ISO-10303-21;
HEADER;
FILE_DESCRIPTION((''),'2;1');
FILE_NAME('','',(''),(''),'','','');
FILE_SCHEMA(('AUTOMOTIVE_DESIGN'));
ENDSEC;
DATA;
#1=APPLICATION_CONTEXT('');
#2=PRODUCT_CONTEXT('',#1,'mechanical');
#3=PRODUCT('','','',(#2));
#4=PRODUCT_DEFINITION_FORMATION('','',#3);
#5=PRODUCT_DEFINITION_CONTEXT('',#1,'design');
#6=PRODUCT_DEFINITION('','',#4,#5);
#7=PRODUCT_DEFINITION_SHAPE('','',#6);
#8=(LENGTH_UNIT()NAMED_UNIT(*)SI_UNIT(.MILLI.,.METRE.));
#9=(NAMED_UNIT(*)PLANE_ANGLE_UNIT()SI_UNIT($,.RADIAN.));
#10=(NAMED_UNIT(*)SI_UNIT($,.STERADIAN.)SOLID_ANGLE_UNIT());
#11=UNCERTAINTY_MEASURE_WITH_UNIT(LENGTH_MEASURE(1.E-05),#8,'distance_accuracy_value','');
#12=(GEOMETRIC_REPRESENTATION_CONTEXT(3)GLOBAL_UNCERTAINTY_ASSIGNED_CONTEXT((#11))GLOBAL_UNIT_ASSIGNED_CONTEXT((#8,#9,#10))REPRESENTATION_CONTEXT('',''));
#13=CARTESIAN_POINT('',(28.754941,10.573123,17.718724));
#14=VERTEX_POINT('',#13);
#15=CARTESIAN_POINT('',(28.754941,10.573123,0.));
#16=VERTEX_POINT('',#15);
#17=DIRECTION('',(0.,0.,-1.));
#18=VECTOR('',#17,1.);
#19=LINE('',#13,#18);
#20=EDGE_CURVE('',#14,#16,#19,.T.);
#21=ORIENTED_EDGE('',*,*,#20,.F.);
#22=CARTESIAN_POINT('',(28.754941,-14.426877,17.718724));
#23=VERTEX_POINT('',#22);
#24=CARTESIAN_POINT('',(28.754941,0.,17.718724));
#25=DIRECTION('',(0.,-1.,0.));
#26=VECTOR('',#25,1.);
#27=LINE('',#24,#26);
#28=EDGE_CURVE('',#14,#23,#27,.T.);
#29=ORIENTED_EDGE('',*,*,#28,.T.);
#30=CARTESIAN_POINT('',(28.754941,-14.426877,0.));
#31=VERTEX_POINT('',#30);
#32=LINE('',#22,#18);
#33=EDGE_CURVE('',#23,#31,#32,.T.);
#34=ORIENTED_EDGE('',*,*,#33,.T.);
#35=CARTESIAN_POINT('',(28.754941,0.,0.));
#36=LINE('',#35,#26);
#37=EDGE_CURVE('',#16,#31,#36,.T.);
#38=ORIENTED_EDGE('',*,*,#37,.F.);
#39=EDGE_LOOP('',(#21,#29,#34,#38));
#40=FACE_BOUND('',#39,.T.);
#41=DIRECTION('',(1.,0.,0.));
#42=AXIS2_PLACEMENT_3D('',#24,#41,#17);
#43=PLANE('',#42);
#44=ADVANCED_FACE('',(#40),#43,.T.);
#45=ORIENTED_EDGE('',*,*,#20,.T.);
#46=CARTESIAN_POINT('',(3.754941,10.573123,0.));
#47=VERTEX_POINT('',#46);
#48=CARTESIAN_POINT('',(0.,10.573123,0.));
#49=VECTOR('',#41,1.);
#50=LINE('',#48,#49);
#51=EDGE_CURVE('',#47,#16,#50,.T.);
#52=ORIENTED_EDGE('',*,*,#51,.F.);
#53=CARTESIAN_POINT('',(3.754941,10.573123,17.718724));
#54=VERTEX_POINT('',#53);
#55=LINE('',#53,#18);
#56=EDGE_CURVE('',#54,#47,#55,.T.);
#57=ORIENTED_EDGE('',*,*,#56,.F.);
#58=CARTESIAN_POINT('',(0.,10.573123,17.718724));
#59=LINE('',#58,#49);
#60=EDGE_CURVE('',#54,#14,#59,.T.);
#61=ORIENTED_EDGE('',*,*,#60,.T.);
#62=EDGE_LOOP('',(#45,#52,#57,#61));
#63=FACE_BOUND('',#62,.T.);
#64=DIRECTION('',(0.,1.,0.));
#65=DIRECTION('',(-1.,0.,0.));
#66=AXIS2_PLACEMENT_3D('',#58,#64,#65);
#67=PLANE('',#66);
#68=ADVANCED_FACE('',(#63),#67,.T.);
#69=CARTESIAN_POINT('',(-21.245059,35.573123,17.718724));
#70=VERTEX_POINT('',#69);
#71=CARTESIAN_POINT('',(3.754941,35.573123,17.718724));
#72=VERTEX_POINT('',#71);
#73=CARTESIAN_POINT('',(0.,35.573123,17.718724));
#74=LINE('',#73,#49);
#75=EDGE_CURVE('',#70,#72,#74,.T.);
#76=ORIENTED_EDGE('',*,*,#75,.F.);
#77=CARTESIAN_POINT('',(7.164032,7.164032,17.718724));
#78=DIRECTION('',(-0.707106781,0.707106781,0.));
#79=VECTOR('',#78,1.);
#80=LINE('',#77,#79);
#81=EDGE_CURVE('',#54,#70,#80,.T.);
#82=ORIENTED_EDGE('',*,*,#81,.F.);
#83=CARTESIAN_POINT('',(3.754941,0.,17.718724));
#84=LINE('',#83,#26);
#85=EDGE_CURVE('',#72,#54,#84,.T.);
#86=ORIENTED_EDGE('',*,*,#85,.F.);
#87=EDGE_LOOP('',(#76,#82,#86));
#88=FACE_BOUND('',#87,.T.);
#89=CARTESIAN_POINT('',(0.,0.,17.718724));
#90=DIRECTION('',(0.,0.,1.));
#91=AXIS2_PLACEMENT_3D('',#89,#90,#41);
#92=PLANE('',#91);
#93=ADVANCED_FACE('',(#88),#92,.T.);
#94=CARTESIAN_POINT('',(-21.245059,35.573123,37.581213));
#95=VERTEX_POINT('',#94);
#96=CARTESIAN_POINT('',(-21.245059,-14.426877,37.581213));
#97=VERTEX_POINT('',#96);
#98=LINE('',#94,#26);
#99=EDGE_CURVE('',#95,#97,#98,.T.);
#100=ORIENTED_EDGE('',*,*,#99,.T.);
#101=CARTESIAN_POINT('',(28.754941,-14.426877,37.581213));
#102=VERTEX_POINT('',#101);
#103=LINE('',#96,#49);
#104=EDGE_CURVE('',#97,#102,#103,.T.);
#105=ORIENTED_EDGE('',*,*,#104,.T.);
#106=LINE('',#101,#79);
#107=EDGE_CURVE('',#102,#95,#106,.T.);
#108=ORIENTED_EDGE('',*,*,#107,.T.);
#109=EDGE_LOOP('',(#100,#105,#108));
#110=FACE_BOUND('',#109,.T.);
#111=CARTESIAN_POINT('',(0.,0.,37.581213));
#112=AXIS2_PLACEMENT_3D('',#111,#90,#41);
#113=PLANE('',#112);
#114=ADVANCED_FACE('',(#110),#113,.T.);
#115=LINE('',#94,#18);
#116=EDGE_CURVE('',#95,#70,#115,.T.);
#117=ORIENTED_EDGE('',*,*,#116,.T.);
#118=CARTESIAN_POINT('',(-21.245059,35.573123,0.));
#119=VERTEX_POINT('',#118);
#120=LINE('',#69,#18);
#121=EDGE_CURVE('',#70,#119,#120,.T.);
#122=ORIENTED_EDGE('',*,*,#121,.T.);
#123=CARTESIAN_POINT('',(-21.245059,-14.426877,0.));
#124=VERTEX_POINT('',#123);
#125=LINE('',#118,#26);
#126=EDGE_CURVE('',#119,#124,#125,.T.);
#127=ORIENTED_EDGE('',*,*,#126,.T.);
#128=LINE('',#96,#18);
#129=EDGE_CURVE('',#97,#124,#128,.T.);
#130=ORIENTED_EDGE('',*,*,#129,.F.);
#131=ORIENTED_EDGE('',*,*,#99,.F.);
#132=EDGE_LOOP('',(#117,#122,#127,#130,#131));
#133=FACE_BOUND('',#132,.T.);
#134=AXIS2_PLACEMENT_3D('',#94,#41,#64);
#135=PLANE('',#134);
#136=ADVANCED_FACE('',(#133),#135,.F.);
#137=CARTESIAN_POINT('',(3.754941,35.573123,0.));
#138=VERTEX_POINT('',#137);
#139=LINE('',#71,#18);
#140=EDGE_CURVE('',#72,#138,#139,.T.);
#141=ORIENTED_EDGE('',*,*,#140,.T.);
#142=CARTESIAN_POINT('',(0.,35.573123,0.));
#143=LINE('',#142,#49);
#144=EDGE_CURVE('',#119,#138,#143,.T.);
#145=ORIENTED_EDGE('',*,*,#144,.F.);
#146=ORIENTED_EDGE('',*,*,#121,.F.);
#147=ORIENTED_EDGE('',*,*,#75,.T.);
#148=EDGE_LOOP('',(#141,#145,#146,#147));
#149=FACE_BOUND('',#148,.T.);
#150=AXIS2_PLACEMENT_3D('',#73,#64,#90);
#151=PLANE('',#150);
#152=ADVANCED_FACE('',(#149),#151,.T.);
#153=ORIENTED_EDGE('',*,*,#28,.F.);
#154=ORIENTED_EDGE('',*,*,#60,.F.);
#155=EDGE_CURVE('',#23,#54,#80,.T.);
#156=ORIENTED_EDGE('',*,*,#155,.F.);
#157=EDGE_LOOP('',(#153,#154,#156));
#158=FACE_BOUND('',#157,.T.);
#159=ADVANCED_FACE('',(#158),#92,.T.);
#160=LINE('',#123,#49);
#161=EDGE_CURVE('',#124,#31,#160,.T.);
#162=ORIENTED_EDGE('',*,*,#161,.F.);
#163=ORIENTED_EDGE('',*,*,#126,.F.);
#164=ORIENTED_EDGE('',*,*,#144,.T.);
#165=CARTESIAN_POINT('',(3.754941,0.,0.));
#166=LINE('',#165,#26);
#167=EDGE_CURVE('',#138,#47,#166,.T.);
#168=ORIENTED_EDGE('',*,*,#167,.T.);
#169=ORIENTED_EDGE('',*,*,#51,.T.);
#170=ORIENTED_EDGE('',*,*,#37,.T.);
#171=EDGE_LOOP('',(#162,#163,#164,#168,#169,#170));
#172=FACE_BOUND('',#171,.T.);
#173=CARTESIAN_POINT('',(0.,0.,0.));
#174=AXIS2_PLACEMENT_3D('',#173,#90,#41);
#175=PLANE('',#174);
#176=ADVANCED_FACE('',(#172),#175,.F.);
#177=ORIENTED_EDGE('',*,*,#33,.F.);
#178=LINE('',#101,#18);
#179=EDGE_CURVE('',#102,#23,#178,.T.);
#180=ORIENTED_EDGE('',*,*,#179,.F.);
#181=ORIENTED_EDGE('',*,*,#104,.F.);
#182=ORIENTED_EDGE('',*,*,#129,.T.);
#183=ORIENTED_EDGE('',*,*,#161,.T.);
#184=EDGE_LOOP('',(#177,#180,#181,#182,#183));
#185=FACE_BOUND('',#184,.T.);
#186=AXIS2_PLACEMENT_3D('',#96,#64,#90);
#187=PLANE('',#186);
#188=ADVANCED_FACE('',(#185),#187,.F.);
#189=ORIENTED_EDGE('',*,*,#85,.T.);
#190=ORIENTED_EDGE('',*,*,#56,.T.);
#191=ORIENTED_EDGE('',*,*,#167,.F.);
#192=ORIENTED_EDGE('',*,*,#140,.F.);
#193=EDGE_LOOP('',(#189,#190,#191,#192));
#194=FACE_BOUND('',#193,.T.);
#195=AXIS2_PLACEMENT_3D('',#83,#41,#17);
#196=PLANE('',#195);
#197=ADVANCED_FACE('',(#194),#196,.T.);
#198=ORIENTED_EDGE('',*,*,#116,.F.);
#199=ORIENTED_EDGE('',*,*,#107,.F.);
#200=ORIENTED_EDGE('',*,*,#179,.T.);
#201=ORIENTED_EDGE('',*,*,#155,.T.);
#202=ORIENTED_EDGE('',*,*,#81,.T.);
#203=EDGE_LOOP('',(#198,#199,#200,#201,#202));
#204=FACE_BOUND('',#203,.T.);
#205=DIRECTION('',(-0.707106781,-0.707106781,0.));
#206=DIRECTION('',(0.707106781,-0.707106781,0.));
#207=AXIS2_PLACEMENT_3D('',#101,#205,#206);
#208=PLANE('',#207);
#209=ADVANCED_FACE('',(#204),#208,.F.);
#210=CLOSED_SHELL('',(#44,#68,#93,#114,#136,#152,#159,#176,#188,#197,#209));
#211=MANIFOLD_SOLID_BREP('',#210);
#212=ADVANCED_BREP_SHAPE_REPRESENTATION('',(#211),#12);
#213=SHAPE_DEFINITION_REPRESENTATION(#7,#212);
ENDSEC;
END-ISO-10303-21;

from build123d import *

# Parameters (mm, degrees)
BOSS_EXTRUDE3_DEPTH = 37.581213244
BOSS_EXTRUDE4_DEPTH = 17.71872424


with BuildPart() as part:
    # Sketch1 → Boss-Extrude3 (new body)
    with BuildSketch(Plane.XY):
        Polygon((-21.245059289, 35.57312253), (-21.245059289, -14.42687747), (28.754940711, -14.42687747), align=None)
    extrude(amount=BOSS_EXTRUDE3_DEPTH)

    # Sketch1<9> → Boss-Extrude4 (add)
    with BuildSketch(Plane.XY):
        Polygon((3.754940711, 35.57312253), (-21.245059289, 35.57312253), (3.754940711, 10.57312253), align=None)
        Polygon((28.754940711, 10.57312253), (3.754940711, 10.57312253), (28.754940711, -14.42687747), align=None)
    extrude(amount=BOSS_EXTRUDE4_DEPTH)


solid = part.part
